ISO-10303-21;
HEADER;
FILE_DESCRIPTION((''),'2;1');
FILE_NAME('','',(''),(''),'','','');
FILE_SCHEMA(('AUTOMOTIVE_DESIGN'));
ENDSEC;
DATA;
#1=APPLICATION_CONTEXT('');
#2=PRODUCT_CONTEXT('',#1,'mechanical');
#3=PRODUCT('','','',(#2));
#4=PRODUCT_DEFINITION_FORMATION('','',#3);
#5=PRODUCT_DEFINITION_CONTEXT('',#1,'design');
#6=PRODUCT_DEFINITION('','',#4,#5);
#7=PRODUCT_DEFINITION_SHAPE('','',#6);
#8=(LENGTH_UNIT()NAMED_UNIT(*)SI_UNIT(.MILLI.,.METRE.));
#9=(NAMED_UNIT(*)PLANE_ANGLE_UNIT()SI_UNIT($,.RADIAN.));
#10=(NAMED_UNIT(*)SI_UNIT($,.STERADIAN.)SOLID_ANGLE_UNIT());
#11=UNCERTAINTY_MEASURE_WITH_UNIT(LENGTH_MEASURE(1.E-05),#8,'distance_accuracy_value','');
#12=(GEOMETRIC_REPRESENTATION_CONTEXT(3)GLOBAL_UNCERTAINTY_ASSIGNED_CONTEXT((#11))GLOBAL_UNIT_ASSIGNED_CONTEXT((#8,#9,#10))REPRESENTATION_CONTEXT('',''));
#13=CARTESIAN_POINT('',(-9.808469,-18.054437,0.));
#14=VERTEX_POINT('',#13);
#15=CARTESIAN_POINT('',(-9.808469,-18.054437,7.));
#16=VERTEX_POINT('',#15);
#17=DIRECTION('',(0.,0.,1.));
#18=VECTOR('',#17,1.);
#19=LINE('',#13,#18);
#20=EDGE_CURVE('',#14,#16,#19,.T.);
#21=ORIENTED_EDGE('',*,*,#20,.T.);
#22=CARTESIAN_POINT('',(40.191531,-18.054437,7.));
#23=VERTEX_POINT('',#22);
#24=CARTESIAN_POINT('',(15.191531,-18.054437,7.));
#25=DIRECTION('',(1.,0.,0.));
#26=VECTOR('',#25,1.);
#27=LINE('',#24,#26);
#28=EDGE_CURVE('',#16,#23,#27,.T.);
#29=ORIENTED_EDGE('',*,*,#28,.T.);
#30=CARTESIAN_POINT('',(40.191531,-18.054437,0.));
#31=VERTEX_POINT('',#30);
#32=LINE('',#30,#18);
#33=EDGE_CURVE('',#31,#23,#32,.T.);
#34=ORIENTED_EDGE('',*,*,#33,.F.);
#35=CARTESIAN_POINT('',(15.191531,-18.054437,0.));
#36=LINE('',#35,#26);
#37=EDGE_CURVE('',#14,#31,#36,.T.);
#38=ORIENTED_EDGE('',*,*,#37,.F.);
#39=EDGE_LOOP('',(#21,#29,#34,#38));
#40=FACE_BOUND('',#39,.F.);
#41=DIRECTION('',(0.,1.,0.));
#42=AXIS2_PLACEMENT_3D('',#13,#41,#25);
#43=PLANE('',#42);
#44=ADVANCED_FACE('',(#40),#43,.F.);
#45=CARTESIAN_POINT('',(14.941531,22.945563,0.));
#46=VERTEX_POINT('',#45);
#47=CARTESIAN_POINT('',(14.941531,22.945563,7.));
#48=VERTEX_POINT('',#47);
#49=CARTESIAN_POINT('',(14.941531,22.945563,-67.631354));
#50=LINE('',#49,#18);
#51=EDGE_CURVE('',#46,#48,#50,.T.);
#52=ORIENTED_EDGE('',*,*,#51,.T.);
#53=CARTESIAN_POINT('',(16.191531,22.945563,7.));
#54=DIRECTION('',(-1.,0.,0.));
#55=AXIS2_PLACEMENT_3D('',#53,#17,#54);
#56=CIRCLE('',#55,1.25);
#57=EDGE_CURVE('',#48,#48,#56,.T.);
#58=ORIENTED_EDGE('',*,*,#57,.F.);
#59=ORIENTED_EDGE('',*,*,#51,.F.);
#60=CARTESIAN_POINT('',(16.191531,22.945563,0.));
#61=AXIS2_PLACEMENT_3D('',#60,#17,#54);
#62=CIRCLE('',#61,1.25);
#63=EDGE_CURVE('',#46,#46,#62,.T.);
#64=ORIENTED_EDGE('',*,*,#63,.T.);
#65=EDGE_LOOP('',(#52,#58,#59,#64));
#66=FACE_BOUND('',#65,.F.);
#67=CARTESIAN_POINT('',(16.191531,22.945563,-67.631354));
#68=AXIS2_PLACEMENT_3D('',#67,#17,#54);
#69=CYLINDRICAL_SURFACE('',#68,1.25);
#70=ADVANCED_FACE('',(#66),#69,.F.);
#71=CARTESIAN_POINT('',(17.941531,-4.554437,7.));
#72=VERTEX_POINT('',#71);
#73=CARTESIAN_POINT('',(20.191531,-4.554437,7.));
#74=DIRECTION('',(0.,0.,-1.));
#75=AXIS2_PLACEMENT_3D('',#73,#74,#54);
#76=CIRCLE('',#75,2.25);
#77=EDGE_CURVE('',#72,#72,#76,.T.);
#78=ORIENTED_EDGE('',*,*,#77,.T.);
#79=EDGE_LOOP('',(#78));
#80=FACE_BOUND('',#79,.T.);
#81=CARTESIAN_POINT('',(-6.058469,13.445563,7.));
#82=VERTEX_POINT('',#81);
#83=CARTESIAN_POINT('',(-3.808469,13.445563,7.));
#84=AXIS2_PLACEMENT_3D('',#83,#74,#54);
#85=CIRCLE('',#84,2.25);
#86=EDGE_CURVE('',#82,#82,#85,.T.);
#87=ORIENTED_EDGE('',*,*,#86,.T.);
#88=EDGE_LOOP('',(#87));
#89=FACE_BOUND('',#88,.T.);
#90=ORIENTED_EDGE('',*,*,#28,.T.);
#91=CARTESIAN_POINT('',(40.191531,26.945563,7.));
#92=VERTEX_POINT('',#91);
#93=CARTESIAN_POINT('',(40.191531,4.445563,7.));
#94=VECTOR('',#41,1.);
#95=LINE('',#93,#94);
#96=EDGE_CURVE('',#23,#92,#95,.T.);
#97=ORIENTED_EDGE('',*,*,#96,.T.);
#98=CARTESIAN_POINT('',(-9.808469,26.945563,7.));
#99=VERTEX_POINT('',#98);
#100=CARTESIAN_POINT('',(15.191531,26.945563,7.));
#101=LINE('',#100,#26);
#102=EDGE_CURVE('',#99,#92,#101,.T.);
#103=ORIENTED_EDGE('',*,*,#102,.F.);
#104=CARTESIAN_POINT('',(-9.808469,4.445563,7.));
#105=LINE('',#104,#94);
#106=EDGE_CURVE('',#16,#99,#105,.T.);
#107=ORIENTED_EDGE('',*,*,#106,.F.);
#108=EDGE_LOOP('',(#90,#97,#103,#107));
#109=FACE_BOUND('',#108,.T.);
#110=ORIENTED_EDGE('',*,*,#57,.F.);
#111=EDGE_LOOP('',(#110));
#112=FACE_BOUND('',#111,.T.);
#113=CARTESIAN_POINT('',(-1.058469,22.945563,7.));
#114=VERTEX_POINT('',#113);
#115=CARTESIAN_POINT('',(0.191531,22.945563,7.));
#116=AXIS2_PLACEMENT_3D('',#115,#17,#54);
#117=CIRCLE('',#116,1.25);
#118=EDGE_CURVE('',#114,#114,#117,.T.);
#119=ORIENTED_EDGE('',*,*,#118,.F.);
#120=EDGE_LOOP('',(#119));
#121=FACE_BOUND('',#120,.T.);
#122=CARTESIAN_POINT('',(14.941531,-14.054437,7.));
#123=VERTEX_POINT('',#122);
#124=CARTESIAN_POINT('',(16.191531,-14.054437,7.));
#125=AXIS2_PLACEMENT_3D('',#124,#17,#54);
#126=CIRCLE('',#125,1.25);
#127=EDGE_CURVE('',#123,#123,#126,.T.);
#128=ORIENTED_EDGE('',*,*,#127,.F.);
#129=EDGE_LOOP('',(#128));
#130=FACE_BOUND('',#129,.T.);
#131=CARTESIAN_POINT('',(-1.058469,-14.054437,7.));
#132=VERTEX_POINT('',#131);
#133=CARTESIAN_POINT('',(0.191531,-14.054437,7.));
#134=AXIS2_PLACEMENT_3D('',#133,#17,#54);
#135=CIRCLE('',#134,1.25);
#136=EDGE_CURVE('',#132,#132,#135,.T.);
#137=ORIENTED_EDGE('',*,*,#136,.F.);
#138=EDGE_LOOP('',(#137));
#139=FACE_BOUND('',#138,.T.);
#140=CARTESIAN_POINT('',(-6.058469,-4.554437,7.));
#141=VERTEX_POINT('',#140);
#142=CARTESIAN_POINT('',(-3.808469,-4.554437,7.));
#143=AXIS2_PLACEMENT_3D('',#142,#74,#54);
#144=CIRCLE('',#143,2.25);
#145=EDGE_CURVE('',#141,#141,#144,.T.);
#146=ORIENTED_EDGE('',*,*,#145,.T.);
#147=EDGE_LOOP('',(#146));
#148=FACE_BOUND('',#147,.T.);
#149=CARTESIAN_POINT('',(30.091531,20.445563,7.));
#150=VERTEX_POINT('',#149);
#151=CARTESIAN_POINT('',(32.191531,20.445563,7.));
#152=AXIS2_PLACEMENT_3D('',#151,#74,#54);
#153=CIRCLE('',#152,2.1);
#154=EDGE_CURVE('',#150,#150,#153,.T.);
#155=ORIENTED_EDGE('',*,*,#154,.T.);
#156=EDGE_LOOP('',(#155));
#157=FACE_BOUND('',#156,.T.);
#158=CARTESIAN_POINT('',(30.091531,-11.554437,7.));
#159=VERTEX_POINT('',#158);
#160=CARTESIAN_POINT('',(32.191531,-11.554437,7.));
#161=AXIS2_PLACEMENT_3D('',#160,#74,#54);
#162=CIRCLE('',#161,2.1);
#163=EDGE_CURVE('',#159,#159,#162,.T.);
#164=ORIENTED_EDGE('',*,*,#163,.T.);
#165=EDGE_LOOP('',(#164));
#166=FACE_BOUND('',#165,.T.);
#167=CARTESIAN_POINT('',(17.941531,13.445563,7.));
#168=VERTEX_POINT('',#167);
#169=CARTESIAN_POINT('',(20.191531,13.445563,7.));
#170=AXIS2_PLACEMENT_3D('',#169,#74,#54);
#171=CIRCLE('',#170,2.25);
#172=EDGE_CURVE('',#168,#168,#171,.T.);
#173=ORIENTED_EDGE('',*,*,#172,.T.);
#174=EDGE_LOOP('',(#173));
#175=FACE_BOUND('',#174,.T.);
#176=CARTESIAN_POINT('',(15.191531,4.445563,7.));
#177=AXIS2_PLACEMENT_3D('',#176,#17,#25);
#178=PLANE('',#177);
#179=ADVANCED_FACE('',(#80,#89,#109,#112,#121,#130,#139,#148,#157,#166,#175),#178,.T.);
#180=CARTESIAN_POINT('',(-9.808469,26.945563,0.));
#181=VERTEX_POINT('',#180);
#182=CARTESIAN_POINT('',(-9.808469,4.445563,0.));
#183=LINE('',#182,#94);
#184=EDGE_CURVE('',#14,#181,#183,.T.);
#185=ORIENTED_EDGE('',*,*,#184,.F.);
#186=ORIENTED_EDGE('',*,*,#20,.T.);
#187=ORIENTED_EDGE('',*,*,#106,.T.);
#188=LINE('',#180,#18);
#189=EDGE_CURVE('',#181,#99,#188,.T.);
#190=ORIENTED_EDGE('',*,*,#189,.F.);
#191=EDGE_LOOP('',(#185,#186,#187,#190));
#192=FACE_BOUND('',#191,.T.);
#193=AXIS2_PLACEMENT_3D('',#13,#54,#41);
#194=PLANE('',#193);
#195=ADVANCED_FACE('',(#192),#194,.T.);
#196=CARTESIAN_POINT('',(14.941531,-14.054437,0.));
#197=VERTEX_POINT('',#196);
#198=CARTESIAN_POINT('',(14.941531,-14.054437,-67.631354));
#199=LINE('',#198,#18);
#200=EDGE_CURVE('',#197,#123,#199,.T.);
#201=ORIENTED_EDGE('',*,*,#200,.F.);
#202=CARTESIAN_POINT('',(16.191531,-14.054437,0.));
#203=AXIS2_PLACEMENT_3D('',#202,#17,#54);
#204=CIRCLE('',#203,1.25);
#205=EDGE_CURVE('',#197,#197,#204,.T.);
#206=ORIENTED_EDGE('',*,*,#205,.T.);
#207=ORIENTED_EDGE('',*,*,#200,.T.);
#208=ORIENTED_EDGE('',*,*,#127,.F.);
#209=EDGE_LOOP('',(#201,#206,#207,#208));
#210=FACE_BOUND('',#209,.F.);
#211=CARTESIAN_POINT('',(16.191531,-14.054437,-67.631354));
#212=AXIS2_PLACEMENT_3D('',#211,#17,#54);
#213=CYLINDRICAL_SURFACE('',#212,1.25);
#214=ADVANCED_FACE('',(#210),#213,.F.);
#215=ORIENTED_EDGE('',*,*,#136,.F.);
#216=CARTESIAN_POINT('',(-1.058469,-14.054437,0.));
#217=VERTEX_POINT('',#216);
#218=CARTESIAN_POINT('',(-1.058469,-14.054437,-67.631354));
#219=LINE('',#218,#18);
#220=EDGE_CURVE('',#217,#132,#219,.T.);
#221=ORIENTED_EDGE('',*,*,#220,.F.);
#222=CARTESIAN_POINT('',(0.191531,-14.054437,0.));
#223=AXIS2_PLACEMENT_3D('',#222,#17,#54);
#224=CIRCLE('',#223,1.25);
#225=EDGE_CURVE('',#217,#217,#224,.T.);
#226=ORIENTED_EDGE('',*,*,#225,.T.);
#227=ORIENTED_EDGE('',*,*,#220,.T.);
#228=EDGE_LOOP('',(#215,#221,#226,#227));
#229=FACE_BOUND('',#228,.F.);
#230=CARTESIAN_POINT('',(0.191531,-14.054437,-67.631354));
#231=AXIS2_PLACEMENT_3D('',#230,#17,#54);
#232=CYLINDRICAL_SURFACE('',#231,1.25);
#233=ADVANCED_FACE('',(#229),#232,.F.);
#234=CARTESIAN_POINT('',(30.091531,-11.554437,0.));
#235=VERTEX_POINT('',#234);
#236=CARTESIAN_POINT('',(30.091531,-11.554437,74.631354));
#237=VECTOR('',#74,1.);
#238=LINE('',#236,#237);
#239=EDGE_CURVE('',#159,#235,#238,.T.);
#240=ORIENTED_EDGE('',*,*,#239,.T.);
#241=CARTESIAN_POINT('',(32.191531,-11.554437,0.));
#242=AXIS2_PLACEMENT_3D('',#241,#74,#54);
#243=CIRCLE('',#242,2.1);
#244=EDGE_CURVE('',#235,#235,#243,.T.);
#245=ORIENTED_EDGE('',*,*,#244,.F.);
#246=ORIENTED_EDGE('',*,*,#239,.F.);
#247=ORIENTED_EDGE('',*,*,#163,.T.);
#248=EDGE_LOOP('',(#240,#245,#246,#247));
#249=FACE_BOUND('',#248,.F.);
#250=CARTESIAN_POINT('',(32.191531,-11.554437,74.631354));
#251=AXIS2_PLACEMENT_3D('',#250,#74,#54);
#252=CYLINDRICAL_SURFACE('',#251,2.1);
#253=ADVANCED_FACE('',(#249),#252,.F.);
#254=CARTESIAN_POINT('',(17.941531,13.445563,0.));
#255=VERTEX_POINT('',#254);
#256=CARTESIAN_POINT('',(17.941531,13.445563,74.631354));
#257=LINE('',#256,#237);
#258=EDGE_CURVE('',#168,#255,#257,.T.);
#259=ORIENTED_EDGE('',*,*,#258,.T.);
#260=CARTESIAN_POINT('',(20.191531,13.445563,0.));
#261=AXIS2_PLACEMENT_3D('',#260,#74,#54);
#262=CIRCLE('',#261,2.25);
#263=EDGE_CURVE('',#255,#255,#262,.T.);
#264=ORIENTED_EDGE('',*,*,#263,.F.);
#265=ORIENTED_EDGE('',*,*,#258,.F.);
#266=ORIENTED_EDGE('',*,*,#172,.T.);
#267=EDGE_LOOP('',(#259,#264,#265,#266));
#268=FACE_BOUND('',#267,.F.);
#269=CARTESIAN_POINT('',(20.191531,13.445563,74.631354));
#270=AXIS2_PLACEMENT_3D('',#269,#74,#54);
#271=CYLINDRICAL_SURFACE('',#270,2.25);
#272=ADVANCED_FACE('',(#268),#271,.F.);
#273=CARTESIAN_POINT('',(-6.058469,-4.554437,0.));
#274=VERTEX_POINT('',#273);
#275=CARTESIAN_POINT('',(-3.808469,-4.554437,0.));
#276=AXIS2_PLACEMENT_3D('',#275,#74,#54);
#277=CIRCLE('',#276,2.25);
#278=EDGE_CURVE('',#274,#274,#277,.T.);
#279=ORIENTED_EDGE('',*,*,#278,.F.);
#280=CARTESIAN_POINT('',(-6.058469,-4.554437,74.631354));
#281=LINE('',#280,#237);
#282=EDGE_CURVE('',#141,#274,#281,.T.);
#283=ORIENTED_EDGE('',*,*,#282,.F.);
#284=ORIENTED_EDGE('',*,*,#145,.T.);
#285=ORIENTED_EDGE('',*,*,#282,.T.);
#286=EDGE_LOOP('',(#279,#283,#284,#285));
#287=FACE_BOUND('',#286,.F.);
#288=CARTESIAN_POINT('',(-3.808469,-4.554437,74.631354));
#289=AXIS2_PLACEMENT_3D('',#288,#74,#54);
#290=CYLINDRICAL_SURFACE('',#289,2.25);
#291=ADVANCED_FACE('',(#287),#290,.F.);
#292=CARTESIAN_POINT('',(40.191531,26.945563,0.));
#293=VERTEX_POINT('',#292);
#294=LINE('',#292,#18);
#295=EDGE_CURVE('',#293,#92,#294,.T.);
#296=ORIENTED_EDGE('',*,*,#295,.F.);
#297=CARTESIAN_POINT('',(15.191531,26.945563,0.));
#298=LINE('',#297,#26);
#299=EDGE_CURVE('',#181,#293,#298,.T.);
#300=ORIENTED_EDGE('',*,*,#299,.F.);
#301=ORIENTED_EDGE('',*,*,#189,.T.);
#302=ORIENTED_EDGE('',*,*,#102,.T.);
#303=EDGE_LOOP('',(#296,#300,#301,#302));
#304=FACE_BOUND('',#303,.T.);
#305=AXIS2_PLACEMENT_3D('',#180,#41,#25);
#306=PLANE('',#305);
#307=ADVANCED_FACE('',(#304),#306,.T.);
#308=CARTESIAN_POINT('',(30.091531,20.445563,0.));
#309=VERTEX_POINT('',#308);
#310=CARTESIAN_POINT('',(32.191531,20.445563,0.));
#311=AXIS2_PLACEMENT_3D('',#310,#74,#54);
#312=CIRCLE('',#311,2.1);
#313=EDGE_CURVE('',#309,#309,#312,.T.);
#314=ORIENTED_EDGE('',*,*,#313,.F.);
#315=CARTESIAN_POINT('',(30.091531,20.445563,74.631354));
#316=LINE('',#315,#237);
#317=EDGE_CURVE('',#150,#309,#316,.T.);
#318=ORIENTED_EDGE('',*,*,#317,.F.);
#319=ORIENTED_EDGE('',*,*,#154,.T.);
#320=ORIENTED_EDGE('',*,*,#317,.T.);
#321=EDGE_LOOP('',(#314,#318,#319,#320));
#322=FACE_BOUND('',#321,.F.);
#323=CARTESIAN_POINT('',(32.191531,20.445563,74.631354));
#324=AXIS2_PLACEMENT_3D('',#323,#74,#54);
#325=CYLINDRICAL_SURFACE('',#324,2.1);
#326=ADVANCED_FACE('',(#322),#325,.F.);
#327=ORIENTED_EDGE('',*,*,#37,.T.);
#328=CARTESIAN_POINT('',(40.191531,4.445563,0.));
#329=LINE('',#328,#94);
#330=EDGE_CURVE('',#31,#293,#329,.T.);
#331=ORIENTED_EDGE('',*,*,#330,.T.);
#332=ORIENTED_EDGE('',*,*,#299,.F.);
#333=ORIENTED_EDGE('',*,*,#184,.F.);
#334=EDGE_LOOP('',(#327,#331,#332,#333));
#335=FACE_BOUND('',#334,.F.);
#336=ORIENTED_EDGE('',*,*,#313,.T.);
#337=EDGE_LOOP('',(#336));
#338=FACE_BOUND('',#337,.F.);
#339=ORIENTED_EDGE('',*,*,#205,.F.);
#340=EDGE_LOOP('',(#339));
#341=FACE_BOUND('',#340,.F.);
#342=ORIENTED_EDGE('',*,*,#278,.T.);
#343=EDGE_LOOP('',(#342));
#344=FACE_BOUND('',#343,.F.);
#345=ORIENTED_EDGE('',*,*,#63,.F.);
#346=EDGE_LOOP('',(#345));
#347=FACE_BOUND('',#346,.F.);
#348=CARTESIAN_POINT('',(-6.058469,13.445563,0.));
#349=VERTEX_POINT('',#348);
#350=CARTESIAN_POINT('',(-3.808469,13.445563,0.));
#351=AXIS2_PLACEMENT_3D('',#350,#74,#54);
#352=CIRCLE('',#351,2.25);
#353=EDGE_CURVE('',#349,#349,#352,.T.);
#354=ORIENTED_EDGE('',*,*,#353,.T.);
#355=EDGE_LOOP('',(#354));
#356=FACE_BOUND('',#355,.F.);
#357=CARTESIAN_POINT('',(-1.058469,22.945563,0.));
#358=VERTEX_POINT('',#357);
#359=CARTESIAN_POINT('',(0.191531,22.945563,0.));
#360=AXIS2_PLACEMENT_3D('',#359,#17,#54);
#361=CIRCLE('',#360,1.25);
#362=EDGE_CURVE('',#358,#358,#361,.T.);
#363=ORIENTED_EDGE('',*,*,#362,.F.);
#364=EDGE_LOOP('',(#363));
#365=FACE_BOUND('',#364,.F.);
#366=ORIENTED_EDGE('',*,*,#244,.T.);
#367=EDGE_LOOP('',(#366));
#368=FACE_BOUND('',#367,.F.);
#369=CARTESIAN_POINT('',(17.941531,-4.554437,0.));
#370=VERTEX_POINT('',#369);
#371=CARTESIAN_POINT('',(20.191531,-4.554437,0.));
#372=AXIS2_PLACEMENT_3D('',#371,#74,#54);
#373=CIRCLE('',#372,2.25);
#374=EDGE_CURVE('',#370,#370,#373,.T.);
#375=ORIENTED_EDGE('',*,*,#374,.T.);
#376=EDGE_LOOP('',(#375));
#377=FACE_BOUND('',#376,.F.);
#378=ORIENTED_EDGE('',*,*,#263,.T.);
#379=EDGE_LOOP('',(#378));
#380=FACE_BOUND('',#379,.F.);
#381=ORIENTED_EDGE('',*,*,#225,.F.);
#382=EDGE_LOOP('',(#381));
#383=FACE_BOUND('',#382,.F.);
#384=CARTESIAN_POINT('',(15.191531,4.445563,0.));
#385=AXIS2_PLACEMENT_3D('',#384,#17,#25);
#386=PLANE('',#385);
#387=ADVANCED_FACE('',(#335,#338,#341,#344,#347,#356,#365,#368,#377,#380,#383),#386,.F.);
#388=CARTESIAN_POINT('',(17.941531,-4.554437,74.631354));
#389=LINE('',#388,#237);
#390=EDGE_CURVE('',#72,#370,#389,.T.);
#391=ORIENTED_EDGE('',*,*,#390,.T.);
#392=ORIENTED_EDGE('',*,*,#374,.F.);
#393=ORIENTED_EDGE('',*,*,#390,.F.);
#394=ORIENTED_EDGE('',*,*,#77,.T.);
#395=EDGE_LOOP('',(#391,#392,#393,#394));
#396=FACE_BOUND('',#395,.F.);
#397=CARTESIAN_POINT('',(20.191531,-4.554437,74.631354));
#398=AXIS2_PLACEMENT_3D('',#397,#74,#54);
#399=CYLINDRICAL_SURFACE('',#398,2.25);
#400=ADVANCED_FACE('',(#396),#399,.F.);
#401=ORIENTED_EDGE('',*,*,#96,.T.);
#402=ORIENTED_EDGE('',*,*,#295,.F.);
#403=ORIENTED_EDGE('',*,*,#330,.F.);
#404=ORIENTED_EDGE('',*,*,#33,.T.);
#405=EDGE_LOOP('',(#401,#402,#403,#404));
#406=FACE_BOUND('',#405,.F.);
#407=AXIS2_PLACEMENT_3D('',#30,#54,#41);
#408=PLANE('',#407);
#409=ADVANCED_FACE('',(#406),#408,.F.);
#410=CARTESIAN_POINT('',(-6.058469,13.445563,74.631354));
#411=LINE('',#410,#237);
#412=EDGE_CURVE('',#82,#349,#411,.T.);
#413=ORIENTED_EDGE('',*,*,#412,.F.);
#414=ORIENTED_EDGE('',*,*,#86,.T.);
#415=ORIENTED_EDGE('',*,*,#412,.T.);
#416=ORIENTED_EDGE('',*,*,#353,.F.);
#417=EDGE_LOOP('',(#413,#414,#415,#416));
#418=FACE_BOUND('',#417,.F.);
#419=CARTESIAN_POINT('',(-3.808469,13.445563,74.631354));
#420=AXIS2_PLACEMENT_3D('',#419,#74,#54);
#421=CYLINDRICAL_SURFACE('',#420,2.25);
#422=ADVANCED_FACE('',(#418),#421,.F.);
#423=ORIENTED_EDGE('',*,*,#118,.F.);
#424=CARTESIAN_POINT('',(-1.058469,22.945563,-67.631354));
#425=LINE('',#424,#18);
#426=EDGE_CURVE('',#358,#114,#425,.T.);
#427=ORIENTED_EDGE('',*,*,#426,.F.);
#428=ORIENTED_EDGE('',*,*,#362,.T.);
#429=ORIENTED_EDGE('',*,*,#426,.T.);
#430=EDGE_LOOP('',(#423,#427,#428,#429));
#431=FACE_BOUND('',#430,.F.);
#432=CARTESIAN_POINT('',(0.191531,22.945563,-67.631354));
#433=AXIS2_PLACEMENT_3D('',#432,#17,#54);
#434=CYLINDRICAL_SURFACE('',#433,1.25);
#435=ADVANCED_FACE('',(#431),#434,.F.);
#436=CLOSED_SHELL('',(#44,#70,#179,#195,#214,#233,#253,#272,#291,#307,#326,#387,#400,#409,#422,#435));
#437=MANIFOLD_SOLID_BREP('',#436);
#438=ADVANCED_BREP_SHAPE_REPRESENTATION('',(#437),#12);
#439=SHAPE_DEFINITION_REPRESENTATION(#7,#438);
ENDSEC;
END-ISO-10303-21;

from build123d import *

# Parameters (mm, degrees)
F0_W     = 50
F0_H     = 45
F1_DEPTH = 7
F3_D     = 4.2
F5_D     = 4.5
F7_D     = 2.5


with BuildPart() as f1:
    # F0 (on Top) → F1 (new body)
    with BuildSketch(Plane.XY):
        with Locations((15.1915311813, 4.4455631077)):
            Rectangle(F0_W, F0_H)
    extrude(amount=F1_DEPTH)

    # F3 (through all)
    with Locations(Plane.XY.offset(7)):
        with Locations((32.1915311813, 20.4455631077), (32.1915311813, -11.5544368923)):
            Hole(F3_D / 2)

    # F5 (through all)
    with Locations(Plane.XY.offset(7)):
        with Locations((-3.8084688187, 13.4455631077), (20.1915311813, 13.4455631077), (20.1915311813, -4.5544368923), (-3.8084688187, -4.5544368923)):
            Hole(F5_D / 2)

    # F7 (through all)
    with Locations(Plane(origin=(0, 0, 0), x_dir=(1, 0, 0), z_dir=(0, 0, -1))):
        with Locations((0.1915311813, 14.0544368923), (16.1915311813, 14.0544368923), (16.1915311813, -22.9455631077), (0.1915311813, -22.9455631077)):
            Hole(F7_D / 2)


solid = f1.part
